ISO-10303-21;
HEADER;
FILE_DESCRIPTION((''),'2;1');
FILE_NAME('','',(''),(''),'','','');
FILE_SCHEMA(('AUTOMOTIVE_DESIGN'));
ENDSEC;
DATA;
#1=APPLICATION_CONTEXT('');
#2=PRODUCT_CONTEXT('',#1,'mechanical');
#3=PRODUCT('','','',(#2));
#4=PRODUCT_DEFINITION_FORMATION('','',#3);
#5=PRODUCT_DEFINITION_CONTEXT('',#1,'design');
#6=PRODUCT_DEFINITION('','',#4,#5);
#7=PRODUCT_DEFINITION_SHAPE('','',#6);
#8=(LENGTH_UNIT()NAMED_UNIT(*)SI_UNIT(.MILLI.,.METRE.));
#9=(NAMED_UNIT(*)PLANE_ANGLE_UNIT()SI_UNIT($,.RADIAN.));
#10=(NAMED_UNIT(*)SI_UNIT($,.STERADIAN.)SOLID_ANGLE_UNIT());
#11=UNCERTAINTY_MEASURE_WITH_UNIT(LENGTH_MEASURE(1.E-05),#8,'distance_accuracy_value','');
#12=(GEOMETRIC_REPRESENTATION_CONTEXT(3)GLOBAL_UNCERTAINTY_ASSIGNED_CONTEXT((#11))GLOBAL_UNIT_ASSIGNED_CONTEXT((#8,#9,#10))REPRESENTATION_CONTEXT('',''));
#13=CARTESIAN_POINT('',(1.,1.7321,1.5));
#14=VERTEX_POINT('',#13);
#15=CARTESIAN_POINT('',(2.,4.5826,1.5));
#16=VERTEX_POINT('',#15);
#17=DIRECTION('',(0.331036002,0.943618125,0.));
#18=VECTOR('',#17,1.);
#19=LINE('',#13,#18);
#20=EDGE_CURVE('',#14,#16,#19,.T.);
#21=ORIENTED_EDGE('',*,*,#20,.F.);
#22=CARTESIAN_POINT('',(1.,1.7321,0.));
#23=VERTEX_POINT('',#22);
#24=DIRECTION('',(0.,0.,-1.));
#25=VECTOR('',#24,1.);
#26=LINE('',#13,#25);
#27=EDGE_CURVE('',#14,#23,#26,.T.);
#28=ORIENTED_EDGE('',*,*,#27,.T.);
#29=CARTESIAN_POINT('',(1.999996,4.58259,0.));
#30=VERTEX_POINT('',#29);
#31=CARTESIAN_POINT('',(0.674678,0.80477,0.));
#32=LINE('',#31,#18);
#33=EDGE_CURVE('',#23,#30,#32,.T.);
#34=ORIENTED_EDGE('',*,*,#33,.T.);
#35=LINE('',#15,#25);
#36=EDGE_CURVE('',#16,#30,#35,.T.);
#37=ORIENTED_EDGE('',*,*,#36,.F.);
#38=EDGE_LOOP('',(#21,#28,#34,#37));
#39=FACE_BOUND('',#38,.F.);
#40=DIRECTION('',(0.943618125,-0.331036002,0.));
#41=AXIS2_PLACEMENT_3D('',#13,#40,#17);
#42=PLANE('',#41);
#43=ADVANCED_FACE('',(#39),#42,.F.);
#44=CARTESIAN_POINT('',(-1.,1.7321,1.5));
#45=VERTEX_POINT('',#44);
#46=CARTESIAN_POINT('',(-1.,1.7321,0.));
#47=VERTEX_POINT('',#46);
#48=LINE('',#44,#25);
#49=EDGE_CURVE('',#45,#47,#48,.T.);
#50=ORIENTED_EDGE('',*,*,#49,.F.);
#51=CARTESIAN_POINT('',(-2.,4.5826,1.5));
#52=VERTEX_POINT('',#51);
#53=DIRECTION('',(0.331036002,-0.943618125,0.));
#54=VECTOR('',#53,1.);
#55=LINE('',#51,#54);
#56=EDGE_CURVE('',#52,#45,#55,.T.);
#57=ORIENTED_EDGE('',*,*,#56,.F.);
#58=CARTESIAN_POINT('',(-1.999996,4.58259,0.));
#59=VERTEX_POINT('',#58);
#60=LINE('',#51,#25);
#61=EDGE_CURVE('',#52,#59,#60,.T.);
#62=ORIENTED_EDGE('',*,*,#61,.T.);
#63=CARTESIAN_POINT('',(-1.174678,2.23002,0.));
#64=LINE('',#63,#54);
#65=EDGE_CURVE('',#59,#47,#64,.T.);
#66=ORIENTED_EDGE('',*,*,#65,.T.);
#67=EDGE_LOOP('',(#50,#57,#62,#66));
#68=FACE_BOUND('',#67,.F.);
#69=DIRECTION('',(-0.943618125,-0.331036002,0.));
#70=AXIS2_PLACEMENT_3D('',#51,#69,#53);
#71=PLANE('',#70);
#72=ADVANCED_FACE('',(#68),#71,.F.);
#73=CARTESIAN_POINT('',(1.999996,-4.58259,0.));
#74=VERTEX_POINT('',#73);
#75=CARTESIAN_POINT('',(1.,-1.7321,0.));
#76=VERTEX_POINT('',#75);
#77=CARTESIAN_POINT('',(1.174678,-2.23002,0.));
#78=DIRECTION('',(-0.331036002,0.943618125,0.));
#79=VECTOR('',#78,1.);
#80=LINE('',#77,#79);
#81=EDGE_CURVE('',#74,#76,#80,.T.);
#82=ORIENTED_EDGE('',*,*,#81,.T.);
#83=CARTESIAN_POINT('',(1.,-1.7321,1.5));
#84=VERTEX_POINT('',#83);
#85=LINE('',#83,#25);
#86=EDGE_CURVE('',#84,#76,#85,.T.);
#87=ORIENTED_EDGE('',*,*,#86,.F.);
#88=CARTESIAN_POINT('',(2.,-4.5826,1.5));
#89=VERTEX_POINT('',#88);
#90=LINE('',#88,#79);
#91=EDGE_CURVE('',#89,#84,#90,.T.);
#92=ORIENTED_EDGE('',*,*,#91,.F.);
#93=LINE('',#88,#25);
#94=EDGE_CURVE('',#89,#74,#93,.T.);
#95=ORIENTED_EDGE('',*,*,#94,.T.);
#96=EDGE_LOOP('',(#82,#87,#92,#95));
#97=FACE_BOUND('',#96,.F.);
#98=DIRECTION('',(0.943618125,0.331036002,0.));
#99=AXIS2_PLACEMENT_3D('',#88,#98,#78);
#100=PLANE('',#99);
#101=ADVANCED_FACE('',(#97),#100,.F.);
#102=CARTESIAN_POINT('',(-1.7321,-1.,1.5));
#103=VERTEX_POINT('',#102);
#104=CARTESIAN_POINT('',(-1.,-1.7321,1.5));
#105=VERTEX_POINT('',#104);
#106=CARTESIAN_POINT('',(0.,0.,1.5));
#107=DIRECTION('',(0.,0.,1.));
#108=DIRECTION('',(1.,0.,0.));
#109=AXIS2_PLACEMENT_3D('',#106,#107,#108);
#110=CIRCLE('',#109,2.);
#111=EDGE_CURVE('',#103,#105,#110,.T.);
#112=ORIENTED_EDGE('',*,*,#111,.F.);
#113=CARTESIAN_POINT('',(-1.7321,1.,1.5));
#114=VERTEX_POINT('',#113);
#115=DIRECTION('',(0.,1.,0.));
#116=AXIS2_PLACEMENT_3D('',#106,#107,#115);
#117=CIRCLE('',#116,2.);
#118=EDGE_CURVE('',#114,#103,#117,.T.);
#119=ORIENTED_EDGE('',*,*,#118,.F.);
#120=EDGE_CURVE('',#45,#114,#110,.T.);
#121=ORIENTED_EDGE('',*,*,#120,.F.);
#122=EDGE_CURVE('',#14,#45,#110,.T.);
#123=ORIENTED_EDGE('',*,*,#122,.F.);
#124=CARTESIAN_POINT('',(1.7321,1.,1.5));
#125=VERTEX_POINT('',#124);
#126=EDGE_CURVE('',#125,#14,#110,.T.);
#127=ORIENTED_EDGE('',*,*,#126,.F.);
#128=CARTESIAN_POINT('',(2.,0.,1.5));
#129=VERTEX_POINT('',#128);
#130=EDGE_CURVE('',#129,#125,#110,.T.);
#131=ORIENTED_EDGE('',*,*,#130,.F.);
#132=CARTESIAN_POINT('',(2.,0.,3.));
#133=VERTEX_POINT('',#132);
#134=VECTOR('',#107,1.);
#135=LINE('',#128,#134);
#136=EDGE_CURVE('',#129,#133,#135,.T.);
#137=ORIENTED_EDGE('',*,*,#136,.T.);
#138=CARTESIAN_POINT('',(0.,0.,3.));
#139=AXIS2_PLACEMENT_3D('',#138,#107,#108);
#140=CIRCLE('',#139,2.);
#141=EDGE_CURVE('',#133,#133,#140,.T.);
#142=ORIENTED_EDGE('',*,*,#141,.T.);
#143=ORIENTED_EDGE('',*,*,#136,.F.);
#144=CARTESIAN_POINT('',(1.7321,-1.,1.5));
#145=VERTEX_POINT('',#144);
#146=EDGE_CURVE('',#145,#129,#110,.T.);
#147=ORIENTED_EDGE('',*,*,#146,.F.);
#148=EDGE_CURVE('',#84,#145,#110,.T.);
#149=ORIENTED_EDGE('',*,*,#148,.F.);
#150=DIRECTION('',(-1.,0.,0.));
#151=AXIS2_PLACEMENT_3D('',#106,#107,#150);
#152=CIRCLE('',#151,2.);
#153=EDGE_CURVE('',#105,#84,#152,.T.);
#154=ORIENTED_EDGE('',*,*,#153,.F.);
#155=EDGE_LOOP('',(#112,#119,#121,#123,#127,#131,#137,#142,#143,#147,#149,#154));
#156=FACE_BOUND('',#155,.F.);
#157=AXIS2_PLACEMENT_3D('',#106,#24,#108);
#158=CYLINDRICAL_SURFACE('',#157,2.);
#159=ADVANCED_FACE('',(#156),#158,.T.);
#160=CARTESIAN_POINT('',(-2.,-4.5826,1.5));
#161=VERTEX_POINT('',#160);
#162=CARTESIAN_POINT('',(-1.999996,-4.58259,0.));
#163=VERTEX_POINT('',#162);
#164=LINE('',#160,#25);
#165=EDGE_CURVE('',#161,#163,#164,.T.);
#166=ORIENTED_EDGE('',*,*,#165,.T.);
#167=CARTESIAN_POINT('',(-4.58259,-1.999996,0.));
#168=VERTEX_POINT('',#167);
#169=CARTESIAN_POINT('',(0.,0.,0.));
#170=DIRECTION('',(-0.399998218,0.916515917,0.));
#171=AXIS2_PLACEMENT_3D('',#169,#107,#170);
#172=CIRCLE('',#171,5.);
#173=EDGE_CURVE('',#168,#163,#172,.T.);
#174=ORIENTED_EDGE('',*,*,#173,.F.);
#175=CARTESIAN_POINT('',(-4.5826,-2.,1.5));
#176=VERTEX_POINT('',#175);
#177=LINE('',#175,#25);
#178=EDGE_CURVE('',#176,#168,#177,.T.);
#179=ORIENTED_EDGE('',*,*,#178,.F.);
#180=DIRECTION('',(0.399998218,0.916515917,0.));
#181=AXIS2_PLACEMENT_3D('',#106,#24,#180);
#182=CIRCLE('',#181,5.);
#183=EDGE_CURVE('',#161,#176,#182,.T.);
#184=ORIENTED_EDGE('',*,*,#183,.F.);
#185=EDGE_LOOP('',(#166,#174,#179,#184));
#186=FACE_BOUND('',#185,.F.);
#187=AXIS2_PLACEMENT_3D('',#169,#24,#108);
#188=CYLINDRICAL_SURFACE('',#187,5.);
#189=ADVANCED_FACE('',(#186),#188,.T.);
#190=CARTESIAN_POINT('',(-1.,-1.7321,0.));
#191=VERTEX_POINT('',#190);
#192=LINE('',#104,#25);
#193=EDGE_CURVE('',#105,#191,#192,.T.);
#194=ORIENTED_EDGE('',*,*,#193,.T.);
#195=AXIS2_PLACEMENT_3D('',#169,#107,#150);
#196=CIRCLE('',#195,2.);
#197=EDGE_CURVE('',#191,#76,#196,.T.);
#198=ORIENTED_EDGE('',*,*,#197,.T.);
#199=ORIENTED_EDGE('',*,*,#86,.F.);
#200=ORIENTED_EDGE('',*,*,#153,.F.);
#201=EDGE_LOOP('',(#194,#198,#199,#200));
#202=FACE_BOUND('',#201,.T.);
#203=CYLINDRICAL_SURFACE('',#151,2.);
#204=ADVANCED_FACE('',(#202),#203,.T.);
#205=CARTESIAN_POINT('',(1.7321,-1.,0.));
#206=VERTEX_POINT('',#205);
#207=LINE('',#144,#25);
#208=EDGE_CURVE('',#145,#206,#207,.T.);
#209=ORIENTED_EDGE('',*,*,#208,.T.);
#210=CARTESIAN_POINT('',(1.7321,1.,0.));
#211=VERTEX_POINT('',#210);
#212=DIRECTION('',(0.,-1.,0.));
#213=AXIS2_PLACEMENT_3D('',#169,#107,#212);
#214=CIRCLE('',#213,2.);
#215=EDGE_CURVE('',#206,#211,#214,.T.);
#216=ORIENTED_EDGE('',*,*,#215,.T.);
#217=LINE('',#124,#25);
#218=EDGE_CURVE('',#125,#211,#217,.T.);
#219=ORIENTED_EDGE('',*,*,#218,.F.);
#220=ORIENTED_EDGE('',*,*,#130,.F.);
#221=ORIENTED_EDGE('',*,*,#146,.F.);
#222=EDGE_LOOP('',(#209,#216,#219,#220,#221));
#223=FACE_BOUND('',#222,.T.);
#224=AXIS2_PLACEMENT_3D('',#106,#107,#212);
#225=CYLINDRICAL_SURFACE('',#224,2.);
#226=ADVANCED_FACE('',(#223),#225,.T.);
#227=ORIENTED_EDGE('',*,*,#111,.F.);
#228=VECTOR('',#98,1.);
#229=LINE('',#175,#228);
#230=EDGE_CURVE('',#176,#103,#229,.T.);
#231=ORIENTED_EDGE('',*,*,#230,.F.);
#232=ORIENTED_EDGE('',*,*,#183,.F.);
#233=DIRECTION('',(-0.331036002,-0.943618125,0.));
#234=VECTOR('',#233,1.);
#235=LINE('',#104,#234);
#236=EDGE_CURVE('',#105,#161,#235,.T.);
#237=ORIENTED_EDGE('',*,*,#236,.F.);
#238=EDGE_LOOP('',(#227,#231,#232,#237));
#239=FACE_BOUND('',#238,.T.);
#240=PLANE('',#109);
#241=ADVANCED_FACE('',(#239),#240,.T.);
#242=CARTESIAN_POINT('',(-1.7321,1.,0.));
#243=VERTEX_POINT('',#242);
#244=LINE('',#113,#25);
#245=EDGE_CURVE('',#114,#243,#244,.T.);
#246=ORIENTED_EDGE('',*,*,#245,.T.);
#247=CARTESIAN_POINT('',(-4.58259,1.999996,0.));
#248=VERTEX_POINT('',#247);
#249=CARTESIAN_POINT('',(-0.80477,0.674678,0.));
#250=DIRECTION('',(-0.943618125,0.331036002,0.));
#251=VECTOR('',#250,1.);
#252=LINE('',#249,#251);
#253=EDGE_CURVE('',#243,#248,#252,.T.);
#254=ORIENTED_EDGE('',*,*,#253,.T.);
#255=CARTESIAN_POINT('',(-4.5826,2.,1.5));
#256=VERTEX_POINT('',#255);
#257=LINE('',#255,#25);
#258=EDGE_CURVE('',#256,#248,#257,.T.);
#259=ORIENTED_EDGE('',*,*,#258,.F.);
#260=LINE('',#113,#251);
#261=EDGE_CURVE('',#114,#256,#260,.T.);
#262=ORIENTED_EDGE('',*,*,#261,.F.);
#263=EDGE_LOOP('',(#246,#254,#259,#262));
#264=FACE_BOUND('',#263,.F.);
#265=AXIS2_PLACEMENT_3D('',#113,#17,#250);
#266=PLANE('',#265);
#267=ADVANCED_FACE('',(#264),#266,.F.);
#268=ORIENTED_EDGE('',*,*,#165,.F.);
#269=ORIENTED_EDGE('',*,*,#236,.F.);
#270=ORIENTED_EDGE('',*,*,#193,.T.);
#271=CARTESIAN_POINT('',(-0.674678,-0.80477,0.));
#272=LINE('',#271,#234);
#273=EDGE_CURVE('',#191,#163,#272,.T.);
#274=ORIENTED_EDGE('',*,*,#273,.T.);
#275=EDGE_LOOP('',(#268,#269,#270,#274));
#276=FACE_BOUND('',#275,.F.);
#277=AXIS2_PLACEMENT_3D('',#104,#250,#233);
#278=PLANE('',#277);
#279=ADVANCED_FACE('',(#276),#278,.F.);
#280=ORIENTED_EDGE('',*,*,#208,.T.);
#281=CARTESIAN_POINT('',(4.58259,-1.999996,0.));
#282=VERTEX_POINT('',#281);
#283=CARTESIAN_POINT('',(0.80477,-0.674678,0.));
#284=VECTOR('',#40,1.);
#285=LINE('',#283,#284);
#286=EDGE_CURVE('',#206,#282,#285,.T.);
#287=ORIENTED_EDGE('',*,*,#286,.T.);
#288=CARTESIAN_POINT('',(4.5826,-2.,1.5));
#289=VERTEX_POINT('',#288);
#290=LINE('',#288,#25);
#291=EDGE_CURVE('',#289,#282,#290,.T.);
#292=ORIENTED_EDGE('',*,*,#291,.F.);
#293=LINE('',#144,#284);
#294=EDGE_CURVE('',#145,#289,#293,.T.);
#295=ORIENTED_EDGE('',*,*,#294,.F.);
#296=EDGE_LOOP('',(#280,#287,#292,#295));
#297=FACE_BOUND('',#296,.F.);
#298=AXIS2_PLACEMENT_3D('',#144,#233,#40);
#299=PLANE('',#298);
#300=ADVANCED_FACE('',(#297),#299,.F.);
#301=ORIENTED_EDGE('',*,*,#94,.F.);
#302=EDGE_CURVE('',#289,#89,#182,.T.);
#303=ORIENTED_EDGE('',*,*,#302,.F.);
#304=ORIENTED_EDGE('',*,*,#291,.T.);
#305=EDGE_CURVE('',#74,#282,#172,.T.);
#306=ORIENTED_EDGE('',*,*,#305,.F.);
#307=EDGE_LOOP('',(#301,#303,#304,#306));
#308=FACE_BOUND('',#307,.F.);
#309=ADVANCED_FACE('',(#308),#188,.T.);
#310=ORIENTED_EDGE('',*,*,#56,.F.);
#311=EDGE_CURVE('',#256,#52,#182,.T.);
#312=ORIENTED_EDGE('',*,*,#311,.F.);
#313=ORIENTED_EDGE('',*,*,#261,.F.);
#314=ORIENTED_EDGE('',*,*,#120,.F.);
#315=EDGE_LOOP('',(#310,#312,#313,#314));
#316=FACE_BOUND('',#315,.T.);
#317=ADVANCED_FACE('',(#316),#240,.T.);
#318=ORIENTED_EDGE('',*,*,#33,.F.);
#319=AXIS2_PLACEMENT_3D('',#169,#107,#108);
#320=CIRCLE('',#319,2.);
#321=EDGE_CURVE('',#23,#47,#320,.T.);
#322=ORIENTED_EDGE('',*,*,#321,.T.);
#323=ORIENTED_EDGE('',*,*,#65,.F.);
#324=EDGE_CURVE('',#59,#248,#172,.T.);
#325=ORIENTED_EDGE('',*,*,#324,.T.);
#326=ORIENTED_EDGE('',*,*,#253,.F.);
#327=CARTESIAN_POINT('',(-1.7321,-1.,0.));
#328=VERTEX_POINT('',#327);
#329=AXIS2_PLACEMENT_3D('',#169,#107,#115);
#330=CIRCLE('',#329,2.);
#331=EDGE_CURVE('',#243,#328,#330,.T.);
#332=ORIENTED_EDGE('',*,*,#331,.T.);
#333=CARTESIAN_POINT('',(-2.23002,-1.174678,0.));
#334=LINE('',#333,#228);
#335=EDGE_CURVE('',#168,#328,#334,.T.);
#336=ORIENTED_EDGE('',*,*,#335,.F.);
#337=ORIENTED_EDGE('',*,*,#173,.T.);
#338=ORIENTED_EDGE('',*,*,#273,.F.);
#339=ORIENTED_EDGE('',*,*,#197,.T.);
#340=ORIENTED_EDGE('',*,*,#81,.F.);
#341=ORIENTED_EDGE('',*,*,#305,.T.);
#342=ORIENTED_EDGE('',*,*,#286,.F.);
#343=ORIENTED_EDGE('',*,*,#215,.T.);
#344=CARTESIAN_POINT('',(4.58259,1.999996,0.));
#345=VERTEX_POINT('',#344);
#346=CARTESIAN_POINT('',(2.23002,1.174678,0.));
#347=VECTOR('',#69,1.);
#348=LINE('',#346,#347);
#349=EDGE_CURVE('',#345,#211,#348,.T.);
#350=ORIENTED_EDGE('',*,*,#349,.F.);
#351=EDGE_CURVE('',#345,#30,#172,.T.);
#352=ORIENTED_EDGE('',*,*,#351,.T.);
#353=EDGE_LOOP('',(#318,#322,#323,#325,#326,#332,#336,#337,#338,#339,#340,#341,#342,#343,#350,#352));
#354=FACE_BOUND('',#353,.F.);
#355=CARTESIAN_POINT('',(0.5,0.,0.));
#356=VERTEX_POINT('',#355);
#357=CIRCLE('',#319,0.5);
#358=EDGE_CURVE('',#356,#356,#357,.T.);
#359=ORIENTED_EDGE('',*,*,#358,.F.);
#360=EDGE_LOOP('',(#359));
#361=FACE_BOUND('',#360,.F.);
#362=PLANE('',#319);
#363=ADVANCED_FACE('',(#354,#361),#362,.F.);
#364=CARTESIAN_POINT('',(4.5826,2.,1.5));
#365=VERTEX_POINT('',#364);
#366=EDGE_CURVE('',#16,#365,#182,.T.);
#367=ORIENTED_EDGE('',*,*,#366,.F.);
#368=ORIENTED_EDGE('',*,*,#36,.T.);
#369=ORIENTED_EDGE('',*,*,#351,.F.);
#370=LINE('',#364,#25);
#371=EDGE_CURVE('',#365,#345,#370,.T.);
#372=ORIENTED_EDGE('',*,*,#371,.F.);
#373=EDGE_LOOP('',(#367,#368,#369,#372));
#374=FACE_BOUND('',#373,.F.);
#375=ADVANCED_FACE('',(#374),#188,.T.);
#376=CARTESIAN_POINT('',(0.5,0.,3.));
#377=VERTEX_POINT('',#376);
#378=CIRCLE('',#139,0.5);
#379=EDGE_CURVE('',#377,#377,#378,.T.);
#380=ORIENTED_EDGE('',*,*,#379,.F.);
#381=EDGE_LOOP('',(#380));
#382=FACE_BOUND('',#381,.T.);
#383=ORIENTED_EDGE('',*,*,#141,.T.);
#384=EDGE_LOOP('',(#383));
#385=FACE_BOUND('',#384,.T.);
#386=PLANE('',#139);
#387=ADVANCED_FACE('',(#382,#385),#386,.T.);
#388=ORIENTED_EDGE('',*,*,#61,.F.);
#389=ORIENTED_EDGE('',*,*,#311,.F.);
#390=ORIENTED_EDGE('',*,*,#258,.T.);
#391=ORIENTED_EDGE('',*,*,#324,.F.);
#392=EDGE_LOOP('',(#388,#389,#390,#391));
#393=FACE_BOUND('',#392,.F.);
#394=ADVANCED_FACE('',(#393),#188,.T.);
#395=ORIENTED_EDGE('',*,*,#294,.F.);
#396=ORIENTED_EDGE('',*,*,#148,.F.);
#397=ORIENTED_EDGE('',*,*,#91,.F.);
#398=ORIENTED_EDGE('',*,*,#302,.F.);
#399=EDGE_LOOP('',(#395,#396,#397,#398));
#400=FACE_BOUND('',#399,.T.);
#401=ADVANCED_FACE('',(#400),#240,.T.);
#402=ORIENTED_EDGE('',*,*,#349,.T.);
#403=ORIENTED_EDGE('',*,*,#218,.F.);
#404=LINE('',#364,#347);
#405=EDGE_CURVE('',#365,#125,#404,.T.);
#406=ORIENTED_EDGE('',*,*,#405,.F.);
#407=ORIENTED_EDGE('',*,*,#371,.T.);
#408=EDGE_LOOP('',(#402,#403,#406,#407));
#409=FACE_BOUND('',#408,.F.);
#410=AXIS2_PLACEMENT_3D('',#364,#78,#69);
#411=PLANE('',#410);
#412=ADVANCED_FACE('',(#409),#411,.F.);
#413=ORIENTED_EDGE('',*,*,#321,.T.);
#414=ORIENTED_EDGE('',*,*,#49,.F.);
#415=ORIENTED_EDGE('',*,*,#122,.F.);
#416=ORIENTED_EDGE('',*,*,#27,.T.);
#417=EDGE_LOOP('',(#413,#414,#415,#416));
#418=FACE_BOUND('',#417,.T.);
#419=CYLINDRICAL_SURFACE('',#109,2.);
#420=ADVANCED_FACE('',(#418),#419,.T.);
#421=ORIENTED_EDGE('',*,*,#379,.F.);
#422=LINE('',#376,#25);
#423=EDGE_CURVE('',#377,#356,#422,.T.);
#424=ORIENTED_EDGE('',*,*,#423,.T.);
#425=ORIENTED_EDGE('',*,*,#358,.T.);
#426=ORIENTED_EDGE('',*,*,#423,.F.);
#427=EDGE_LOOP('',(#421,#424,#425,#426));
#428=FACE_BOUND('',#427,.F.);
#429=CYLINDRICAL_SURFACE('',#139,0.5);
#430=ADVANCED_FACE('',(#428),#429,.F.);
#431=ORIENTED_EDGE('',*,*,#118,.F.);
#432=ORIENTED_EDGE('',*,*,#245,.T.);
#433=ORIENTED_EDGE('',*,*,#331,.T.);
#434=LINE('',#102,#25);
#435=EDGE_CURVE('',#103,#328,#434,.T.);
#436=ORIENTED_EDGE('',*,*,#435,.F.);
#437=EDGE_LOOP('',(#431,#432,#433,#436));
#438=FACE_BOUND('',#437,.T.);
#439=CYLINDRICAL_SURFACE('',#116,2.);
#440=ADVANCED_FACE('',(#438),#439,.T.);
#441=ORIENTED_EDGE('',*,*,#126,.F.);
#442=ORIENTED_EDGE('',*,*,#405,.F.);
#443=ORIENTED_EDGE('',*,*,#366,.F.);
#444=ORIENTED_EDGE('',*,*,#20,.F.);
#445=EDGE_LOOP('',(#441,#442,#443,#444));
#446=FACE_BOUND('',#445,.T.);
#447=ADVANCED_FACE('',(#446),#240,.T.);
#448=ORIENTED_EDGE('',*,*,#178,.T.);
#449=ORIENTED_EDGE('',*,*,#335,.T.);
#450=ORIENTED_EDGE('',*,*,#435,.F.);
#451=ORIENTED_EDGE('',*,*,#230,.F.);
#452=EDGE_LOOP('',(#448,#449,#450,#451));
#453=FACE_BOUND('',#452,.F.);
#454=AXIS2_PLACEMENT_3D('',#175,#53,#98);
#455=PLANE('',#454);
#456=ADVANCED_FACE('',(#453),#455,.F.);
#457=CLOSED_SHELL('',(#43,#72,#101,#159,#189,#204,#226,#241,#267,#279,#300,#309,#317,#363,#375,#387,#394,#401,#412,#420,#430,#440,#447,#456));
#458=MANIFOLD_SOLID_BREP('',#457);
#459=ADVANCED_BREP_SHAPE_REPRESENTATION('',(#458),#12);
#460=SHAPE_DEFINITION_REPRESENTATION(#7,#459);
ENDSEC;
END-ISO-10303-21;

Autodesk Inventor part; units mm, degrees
ref_plane "YZ Plane" through (0, 0, 0) normal (1, 0, 0) x (0, 1, 0)
ref_plane "XZ Plane" through (0, 0, 0) normal (0, 1, 0) x (-1, 0, 0)
ref_plane "XY Plane" through (0, 0, 0) normal (0, 0, 1) x (1, 0, 0)
sketch "Esquisse1" plane through (0, 0, 0) normal (0, 0, 1) x (1, 0, 0)
  circle A0 centre (0, 0) radius 5
  dimension "d0" = 10
extrude "Extrusion1" add sketch "Esquisse1" along normal blind 1.5
sketch "Esquisse2" plane through (0, 0, 1.5) normal (0, 0, 1) x (1, 0, 0)
  circle A0 centre (0, 0) radius 5 projected
  circle A1 centre (0, 0) radius 2
  dimension "d3" = 4
extrude "Extrusion2" add sketch "Esquisse2" along normal blind 1.5 contours A1
sketch "Esquisse3" plane through (0, 0, 1.5) normal (0, 0, 1) x (1, 0, 0)
  circle A0 centre (0, 0) radius 2 projected
  circle A1 centre (0, 0) radius 5 projected
  line L0 (-2, 4.5826) -> (-1, 1.7321)
  line L1 (1, 1.7321) -> (2, 4.5826)
  arc A2 (1, 1.7321) -> (-1, 1.7321) centre (0, 0) ccw
  arc A3 (2, 4.5826) -> (-2, 4.5826) centre (0, 0) ccw
extrude "Extrusion3" cut sketch "Esquisse3" against normal through all contours A0 L0 A1 L1 picked at (1.2132, 3.7931)
pattern_circular "Réseau circulaire1" count 4 over 360 about axis through (0, 0, 1.5) along (0, 0, 1) of "Extrusion3"
sketch "Esquisse4" plane through (0, 0, 3) normal (0, 0, 1) x (1, 0, 0)
  circle A0 centre (0, 0) radius 2 projected
  circle A1 centre (0, 0) radius 0.5
  dimension "d11" = 1
extrude "Extrusion4" cut sketch "Esquisse4" against normal through all contours A1
properties part number "helice encodeur" material "Plastique ABS"
